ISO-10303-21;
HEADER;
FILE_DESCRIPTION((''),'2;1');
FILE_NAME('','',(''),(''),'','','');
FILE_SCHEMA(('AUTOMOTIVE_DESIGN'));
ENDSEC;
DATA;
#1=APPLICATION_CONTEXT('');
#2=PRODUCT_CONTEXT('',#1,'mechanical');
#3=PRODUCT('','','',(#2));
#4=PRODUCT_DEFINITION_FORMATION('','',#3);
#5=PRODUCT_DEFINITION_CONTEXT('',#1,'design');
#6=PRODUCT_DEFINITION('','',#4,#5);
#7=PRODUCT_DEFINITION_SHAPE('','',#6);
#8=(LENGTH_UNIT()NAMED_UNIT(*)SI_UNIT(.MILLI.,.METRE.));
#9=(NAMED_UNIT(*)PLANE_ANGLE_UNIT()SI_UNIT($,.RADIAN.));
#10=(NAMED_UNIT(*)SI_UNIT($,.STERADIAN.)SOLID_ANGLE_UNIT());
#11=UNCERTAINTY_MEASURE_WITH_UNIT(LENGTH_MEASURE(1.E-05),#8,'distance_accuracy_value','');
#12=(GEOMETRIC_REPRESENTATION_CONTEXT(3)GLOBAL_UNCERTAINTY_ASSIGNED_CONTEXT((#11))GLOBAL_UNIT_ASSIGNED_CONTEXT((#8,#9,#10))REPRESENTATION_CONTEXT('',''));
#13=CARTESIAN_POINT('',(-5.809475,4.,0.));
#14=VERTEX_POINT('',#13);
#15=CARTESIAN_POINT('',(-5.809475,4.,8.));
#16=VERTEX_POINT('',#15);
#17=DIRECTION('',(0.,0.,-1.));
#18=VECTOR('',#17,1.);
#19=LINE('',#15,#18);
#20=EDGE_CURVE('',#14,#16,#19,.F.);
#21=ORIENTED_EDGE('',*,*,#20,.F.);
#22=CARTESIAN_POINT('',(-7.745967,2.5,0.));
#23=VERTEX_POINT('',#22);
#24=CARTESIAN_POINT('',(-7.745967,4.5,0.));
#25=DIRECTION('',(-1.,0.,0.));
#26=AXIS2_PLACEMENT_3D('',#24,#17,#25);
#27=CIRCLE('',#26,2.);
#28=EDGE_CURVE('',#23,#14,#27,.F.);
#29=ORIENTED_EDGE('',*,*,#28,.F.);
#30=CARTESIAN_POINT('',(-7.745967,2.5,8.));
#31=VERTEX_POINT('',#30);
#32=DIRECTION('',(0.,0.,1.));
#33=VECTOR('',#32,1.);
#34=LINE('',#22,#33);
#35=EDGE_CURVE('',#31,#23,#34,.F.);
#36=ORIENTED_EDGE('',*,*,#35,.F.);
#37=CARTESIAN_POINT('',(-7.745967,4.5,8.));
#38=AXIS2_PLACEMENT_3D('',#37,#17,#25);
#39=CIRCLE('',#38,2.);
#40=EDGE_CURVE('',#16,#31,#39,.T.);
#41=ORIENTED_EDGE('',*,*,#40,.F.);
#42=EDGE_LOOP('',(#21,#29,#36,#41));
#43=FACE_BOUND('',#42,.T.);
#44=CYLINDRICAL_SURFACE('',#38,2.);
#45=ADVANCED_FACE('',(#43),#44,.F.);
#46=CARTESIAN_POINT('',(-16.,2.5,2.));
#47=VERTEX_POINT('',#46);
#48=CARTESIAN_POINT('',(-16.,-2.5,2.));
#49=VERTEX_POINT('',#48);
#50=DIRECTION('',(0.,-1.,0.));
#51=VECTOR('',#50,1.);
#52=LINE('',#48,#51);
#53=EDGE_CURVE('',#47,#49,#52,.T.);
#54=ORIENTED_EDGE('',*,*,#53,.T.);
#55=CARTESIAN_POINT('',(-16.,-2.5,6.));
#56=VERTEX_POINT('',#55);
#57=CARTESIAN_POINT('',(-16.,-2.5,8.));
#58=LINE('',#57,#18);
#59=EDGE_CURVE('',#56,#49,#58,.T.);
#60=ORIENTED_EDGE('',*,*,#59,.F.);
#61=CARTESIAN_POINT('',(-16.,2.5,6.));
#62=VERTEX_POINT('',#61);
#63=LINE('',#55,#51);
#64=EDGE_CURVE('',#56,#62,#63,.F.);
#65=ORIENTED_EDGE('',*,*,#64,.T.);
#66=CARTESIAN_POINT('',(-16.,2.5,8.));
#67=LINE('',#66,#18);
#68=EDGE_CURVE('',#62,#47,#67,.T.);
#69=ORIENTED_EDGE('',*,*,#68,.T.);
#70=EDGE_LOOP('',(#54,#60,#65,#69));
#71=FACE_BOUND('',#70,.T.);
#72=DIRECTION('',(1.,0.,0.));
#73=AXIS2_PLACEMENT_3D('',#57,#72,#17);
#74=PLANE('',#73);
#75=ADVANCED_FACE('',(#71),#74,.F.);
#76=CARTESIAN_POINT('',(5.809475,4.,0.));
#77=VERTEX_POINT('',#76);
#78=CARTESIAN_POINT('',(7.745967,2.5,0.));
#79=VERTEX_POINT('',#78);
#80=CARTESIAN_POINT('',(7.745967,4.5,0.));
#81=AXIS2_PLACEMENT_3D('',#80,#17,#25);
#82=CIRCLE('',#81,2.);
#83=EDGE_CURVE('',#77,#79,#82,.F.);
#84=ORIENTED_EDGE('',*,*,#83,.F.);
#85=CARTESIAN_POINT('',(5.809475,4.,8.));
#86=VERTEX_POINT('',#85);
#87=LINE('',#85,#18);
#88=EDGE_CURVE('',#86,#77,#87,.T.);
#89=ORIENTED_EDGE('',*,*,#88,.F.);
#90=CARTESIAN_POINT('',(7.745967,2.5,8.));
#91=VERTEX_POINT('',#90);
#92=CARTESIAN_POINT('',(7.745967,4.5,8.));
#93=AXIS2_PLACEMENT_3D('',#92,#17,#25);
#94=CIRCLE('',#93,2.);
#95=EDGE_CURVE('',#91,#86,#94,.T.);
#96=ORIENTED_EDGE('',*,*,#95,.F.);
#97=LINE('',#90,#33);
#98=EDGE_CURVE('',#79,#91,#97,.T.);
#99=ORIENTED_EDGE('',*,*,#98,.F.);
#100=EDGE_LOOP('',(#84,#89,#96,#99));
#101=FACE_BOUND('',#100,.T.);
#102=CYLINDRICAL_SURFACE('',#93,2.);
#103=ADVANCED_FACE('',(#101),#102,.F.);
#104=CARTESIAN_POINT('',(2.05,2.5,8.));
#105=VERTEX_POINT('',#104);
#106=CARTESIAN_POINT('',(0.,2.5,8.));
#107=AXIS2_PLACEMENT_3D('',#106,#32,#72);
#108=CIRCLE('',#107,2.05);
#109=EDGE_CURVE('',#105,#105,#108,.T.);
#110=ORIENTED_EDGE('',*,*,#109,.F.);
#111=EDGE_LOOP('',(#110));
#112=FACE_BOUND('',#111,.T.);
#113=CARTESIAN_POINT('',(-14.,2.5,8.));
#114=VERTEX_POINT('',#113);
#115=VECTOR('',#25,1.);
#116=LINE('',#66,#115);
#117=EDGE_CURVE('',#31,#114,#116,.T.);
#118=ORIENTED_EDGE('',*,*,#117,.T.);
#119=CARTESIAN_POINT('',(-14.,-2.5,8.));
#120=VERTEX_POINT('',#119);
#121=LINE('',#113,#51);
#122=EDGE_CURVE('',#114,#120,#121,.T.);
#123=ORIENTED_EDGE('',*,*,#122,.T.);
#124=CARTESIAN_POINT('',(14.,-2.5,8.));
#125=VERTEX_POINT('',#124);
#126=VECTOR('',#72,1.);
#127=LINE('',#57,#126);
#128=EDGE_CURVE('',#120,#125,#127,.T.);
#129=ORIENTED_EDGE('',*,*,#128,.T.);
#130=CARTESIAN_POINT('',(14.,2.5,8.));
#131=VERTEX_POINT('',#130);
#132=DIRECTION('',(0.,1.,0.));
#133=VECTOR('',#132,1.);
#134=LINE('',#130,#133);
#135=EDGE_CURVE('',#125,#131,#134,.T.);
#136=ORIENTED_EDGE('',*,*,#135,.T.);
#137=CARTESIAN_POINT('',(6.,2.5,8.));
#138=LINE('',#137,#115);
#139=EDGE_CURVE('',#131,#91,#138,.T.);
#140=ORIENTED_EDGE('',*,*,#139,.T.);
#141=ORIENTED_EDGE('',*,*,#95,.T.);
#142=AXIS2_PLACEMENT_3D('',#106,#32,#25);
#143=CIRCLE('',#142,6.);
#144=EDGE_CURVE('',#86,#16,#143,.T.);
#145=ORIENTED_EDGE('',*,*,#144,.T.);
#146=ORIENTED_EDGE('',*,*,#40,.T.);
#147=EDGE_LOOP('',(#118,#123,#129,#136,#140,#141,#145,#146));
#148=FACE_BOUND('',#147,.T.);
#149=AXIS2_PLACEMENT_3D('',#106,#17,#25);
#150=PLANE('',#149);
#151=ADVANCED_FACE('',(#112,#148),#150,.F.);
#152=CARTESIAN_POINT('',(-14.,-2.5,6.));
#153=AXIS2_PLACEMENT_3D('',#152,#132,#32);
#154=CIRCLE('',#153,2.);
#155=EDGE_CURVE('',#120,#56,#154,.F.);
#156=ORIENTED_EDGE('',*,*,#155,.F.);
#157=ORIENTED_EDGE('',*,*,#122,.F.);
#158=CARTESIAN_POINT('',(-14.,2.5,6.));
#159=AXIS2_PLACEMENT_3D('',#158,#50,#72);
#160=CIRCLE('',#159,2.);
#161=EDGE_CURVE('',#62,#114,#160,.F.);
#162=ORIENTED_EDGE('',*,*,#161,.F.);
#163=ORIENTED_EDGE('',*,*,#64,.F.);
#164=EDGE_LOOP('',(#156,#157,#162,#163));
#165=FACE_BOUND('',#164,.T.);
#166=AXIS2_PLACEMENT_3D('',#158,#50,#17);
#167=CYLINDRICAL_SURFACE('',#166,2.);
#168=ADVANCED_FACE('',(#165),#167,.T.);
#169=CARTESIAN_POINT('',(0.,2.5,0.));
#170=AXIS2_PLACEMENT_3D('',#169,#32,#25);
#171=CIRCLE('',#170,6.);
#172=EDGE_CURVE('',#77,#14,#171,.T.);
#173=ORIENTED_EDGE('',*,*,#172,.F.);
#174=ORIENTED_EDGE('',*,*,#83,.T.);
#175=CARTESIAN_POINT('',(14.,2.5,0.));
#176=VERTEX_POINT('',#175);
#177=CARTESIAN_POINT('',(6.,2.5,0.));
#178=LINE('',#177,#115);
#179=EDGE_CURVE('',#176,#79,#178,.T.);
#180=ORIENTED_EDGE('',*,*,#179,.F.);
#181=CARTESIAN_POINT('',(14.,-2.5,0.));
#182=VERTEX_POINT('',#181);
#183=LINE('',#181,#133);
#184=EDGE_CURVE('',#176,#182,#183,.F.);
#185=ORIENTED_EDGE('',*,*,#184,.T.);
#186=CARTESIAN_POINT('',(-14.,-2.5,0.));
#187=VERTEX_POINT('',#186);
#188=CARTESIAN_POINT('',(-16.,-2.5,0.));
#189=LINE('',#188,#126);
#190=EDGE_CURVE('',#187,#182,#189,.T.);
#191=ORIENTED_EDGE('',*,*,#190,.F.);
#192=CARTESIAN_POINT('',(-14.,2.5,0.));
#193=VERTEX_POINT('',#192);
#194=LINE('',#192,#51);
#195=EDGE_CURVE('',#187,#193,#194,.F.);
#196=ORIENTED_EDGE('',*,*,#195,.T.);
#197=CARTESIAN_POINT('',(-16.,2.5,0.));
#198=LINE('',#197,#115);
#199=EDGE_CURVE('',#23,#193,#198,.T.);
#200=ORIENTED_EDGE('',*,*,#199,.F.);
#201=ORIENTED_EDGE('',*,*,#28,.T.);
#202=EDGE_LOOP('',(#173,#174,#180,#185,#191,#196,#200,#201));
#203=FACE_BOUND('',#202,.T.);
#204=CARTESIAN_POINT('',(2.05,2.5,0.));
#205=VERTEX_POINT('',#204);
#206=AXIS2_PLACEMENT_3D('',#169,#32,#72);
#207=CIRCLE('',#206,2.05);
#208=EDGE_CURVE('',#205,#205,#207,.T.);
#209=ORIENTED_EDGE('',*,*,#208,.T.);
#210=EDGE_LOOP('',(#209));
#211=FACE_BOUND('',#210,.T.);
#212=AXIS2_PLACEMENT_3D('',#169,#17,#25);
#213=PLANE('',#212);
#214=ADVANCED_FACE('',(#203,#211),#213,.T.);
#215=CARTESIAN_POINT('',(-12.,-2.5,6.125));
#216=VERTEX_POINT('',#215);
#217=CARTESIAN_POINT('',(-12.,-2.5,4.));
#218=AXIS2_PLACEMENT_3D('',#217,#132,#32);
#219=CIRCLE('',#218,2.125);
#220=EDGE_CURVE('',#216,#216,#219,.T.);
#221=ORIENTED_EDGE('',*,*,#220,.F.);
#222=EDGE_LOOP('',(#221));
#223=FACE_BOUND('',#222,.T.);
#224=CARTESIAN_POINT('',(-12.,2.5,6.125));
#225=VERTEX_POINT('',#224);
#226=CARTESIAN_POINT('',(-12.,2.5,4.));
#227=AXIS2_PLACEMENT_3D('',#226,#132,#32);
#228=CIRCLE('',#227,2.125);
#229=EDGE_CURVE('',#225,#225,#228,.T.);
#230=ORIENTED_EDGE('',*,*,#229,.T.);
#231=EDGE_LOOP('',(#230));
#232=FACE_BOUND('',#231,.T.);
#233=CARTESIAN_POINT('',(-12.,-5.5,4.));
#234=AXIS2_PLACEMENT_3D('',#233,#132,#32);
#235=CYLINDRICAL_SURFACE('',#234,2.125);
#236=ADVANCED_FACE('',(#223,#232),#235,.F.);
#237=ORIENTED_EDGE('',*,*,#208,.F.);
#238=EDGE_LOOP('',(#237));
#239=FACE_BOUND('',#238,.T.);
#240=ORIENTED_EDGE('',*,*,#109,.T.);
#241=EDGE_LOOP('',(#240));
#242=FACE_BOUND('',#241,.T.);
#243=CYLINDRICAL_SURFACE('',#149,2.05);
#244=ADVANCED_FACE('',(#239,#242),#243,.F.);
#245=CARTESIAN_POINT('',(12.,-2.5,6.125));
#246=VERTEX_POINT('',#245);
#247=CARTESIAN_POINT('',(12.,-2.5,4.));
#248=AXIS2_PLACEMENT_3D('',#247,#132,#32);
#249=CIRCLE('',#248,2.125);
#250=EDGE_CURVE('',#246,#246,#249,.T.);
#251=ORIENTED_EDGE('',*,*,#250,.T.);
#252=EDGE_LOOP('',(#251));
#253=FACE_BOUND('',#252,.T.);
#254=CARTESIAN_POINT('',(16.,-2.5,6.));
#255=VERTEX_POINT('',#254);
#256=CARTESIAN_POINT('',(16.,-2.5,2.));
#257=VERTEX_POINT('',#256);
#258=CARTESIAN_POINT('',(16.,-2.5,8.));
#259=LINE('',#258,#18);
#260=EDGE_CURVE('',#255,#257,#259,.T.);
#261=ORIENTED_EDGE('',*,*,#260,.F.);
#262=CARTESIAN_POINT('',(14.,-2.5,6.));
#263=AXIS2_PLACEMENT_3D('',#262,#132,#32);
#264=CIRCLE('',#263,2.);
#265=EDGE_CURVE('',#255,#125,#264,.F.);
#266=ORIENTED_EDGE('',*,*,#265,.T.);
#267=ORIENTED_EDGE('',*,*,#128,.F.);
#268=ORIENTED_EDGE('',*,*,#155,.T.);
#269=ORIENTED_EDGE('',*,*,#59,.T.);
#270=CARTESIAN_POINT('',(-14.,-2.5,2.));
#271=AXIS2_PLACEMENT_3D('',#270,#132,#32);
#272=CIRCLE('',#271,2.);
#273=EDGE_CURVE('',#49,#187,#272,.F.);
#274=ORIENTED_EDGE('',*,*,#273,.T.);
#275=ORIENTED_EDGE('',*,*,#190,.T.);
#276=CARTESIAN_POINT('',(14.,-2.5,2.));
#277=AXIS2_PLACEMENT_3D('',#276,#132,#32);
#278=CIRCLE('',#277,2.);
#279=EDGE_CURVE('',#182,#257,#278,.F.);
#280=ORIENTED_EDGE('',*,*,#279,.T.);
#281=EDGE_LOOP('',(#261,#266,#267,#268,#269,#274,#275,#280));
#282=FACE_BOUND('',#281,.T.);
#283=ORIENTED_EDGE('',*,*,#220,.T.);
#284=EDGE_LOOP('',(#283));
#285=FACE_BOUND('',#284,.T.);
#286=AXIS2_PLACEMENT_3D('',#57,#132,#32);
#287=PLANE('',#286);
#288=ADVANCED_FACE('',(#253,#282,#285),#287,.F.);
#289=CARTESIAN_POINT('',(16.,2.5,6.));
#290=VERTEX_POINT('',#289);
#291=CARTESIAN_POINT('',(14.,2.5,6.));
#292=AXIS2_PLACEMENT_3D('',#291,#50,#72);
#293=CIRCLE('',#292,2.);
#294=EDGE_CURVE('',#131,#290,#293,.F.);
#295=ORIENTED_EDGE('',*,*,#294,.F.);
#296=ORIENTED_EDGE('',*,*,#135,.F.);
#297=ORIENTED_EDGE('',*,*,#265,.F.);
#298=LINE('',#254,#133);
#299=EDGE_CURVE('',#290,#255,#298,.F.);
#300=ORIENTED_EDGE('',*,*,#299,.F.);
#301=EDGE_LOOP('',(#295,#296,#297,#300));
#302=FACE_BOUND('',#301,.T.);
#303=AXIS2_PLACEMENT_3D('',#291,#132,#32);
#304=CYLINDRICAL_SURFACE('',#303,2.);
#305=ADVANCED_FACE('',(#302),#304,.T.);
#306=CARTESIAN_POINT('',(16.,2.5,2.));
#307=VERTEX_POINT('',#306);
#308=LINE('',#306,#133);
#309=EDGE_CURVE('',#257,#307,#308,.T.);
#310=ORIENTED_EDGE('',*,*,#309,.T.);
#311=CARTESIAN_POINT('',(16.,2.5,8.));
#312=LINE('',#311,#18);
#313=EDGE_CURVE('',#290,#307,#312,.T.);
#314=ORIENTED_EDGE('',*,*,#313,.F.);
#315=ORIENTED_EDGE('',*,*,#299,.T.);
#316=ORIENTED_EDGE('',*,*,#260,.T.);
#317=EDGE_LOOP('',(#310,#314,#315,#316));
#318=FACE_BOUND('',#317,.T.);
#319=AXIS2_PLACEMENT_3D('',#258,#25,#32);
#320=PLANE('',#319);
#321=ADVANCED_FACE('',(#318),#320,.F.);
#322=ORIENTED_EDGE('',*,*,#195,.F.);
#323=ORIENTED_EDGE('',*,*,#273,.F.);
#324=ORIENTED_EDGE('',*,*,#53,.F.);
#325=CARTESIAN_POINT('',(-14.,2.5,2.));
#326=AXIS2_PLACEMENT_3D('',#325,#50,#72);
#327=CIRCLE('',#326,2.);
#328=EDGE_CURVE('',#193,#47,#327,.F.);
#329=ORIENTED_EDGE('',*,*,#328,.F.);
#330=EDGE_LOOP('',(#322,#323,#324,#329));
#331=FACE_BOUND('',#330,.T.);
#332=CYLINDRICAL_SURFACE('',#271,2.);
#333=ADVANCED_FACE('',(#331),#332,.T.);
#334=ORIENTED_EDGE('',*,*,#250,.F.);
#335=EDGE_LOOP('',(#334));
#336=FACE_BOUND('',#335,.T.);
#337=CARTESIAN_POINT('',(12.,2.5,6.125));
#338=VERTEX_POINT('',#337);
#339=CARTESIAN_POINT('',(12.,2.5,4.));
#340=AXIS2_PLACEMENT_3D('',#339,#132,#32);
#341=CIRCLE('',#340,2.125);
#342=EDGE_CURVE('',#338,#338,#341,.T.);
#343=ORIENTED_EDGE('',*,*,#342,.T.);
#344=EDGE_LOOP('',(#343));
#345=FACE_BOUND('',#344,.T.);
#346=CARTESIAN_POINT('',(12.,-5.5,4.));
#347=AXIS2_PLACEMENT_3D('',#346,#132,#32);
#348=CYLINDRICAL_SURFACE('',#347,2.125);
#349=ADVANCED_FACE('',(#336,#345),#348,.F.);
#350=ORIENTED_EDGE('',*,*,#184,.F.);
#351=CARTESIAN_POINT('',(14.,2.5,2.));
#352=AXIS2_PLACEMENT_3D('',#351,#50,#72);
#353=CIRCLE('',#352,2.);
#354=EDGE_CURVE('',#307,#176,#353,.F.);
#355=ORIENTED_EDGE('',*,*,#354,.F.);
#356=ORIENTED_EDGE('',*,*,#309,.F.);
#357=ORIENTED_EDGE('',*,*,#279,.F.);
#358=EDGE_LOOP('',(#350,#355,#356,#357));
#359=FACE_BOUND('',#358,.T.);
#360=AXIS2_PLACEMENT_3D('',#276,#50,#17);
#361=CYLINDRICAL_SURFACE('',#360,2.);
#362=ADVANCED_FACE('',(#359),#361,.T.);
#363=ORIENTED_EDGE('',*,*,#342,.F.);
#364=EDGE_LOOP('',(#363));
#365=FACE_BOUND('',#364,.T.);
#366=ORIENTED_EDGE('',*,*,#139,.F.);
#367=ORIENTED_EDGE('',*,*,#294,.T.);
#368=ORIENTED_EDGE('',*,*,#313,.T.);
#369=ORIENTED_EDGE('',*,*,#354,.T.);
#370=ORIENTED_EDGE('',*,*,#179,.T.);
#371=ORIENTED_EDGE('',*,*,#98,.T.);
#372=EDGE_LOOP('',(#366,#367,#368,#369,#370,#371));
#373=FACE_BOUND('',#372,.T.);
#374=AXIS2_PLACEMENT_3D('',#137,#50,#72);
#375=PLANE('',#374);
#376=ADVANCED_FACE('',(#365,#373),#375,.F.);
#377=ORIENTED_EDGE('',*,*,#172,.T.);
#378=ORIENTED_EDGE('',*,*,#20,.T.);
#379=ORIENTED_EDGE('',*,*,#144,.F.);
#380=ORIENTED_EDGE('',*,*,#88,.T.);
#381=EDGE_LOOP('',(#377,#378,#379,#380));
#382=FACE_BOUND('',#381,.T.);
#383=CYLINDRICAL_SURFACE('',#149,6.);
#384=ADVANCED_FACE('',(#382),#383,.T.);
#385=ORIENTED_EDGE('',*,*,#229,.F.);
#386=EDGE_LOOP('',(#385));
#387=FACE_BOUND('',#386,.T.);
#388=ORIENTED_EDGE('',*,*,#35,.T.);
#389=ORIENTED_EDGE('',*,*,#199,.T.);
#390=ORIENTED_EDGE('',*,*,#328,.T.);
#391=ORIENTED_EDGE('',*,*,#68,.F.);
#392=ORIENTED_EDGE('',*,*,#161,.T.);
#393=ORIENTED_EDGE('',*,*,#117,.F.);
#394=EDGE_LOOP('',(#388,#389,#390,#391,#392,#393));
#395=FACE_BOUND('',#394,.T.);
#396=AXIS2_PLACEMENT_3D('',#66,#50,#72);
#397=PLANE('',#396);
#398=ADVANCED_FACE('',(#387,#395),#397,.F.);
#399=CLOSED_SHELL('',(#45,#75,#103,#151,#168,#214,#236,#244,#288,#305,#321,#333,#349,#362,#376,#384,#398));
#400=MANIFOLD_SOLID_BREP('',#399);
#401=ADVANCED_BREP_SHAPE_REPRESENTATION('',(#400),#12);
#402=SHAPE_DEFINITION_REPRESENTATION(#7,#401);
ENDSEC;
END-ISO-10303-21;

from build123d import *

# Parameters (mm, degrees)
SKETCH2_R           = 2.05
BOSS_EXTRUDE1_DEPTH = 8
SKETCH3_R           = 2.125
CUT_EXTRUDE1_DEPTH  = 8
FILLET1_R           = 2


with BuildPart() as part:
    # Sketch2 → Boss-Extrude1 (new body)
    with BuildSketch(Plane.XY):
        with BuildLine():
            Line((6, 2.5), (16, 2.5))
            Line((16, 2.5), (16, -2.5))
            Line((16, -2.5), (-16, -2.5))
            Line((-16, -2.5), (-16, 2.5))
            Line((-16, 2.5), (-6, 2.5))
            ThreePointArc((-6, 2.5), (0, 8.5), (6, 2.5))
        make_face()
        with Locations((0, 2.5)):
            Circle(SKETCH2_R, mode=Mode.SUBTRACT)
    extrude(amount=BOSS_EXTRUDE1_DEPTH)

    # Sketch3 → Cut-Extrude1 (cut)
    with BuildSketch(Plane(origin=(0, 2.5, 0), x_dir=(1, 0, 0), z_dir=(0, 1, 0))):
        with Locations((12, -4)):
            Circle(SKETCH3_R)
        with Locations((-12, -4)):
            Circle(SKETCH3_R)
    extrude(amount=-CUT_EXTRUDE1_DEPTH, mode=Mode.SUBTRACT)

    # Fillet1
    fillet1_edges = [part.edges().sort_by_distance(p)[0] for p in [
        (-6, 2.5, 4),
        (6, 2.5, 4),
        (-16, 0, 8),
        (16, 0, 8),
        (-16, 0, 0),
        (16, 0, 0),
    ]]
    fillet(fillet1_edges, radius=FILLET1_R)


solid = part.part
